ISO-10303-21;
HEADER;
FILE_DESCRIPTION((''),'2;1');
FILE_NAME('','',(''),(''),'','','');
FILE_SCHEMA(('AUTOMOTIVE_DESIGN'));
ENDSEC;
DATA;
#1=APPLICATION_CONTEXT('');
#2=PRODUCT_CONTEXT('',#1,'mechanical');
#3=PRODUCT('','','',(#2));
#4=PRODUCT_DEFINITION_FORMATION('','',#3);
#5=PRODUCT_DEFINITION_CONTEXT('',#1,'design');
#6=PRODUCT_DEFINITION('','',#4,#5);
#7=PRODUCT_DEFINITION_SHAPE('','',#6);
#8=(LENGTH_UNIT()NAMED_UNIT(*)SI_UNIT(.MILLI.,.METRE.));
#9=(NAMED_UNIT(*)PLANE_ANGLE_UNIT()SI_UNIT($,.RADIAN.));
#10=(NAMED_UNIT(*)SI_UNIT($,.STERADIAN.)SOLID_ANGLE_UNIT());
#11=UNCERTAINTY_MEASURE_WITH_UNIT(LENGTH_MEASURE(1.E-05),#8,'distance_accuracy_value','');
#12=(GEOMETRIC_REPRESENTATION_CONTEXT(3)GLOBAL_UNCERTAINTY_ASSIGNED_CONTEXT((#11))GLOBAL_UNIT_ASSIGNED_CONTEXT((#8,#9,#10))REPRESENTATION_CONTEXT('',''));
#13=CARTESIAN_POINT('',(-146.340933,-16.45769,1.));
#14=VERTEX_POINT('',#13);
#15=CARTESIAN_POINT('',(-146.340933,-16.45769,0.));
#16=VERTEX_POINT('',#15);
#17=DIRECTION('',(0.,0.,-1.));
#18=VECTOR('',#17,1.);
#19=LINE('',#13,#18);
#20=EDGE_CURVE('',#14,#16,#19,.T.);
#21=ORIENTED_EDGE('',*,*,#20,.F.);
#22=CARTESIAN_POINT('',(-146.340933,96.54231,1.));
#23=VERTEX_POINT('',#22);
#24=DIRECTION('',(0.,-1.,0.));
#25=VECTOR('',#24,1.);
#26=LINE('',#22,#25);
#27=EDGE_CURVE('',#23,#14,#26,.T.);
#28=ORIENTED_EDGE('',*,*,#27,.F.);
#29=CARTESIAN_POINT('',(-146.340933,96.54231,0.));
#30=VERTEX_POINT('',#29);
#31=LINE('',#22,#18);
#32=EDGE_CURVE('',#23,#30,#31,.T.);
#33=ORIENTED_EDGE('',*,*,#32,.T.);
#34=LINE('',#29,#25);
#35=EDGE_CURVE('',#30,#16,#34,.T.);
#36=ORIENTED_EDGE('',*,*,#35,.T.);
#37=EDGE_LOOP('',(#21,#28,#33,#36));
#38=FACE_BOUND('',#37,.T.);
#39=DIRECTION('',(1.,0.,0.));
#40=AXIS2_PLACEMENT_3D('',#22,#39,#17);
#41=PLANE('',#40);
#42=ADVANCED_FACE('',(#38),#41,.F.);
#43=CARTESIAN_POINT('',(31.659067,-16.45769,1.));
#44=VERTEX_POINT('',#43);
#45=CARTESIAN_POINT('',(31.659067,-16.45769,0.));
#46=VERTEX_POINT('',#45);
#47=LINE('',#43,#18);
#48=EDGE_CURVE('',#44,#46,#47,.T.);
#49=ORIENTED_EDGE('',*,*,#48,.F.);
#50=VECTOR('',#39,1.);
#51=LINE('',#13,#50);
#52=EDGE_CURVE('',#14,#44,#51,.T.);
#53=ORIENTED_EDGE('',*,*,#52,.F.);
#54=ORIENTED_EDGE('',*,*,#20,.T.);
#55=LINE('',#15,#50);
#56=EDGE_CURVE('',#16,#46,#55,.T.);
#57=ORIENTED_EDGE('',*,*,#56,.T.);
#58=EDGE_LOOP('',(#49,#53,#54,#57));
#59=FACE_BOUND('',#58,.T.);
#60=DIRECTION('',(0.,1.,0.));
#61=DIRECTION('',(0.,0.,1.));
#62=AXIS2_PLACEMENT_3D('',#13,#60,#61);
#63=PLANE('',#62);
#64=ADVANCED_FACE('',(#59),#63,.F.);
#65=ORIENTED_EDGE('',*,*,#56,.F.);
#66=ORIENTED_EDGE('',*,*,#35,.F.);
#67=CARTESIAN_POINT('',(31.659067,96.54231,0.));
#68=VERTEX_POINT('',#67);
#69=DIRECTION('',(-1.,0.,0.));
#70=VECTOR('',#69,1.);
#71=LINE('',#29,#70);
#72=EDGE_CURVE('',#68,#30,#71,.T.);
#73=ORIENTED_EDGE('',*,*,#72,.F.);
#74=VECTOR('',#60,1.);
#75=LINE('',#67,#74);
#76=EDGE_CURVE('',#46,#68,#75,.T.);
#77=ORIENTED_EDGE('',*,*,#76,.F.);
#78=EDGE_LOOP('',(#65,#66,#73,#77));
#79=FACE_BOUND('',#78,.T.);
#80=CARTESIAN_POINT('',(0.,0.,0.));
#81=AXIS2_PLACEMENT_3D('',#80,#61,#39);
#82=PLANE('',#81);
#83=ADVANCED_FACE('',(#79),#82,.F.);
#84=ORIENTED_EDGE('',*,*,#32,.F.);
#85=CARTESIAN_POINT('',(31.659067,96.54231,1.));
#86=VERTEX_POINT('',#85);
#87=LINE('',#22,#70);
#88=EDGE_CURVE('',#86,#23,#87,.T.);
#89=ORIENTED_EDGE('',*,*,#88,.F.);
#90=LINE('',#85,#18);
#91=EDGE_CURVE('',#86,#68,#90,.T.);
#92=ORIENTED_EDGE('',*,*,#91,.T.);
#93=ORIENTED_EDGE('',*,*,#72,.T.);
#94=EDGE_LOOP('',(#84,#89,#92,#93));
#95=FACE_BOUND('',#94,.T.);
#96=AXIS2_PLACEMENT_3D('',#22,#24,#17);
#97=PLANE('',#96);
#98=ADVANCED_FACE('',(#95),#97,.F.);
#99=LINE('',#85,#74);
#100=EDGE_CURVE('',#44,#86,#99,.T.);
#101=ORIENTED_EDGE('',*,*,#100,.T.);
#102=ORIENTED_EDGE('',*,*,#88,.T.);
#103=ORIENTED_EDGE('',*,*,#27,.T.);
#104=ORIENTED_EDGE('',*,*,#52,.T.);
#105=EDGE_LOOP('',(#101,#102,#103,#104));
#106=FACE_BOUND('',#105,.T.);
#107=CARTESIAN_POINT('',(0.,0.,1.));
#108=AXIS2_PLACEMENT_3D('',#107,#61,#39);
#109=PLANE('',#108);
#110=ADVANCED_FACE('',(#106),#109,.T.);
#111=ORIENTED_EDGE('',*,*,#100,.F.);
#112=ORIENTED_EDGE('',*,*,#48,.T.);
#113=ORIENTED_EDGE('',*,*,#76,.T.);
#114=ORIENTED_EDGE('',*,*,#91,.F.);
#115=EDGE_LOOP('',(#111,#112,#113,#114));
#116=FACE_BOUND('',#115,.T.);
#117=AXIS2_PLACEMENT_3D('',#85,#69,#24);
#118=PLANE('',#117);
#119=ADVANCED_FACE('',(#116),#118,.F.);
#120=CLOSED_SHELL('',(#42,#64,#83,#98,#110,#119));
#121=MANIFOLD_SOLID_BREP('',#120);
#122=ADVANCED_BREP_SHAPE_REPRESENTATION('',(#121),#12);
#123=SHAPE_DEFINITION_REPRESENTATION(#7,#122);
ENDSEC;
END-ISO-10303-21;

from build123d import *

# Parameters (mm, degrees)
ESBO_O1_W                = 178
ESBO_O1_H                = 113
RESSALTO_EXTRUS_O1_DEPTH = 1


with BuildPart() as part:
    # Esboço1 → Ressalto-extrusão1 (new body)
    with BuildSketch(Plane.XY):
        with Locations((-57.340932524, 40.042310161)):
            Rectangle(ESBO_O1_W, ESBO_O1_H)
    extrude(amount=RESSALTO_EXTRUS_O1_DEPTH)


solid = part.part
